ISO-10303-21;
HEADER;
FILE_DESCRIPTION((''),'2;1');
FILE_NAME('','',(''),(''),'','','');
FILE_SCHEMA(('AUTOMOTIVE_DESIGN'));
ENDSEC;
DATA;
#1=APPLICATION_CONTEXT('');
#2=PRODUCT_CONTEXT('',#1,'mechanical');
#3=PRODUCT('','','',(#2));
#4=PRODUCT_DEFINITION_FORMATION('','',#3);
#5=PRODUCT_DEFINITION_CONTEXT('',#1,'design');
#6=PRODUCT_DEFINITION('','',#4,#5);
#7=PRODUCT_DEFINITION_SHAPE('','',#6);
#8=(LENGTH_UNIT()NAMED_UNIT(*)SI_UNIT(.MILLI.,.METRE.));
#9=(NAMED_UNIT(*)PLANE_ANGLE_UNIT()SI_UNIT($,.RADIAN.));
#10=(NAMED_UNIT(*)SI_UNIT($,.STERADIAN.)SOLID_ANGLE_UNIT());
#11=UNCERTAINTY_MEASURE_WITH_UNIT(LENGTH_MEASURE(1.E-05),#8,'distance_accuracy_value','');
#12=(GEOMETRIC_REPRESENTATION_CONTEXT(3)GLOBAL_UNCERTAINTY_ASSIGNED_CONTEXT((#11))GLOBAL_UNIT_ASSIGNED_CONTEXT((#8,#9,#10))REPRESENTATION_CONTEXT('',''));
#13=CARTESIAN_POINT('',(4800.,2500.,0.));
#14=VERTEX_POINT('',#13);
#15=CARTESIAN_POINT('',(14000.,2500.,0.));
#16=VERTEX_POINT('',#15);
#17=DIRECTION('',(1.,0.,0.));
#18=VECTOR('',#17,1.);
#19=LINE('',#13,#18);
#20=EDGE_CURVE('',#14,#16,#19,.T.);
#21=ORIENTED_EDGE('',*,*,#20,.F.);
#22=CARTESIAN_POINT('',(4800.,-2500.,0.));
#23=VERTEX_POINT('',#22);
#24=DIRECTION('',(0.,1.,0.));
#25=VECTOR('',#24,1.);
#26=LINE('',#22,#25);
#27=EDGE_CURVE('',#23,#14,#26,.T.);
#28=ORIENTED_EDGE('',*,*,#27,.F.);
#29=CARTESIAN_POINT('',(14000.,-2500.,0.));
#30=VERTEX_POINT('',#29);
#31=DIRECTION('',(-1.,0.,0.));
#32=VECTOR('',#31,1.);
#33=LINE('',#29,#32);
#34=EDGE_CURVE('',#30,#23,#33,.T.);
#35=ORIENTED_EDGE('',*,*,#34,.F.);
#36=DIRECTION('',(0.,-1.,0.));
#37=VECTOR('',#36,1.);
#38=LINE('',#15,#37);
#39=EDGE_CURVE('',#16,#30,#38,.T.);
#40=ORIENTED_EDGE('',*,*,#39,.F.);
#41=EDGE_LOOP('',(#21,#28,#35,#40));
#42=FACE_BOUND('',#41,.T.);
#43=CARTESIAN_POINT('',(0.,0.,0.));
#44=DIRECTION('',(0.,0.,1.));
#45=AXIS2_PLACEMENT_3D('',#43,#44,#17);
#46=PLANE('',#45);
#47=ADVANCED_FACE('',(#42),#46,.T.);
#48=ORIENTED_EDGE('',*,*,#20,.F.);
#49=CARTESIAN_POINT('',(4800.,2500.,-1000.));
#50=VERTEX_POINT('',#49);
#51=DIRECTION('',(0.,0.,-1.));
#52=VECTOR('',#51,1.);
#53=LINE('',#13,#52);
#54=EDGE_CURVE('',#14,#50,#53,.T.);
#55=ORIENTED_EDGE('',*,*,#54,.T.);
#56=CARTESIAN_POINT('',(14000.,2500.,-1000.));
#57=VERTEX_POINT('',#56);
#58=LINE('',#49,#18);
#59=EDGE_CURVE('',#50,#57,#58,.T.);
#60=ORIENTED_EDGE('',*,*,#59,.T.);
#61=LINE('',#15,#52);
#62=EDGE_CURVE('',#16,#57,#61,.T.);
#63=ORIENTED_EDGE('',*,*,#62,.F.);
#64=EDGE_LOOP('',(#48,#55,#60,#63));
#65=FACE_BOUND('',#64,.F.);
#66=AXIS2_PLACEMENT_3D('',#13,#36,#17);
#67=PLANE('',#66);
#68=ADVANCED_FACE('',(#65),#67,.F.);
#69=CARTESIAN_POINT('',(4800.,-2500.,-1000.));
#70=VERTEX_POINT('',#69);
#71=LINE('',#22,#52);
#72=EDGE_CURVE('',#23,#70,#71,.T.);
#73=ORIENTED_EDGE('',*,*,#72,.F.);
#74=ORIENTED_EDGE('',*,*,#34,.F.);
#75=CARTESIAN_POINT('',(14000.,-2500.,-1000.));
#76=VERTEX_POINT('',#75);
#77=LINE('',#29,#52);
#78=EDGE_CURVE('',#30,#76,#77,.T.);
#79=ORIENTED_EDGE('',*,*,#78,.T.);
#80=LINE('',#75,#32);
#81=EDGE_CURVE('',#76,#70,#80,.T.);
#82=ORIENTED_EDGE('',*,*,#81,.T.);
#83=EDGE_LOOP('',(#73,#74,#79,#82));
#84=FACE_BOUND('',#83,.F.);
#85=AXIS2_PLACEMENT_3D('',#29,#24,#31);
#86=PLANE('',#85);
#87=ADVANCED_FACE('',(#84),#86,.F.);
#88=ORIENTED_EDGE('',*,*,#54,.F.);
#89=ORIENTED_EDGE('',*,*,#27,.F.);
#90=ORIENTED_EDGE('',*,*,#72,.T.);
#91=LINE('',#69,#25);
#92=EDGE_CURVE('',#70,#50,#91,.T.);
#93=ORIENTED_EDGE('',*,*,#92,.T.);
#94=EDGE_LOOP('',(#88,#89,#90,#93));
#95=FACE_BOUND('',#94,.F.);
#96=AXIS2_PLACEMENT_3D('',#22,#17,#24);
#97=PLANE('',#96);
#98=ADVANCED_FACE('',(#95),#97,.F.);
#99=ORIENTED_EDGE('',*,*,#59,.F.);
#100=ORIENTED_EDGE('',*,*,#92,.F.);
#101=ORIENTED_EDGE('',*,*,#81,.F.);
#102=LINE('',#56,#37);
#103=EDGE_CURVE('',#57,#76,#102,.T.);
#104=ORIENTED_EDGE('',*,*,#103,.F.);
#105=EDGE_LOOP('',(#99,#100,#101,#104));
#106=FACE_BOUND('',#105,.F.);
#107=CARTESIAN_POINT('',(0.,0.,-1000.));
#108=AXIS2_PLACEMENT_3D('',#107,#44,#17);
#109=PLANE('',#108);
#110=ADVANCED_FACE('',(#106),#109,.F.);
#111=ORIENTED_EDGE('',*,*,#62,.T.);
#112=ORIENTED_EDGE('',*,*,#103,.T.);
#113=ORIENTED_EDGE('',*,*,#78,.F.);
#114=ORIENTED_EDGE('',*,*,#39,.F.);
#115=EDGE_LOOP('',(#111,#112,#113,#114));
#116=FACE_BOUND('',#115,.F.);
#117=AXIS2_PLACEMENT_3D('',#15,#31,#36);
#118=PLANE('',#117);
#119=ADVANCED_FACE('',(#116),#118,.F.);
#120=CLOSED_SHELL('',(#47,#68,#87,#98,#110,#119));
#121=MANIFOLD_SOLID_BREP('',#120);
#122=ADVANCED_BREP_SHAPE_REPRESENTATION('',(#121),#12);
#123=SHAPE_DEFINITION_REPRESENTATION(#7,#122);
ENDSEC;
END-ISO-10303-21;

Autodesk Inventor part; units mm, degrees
ref_plane "YZ Plane" through (0, 0, 0) normal (1, 0, 0) x (0, 1, 0)
ref_plane "XZ Plane" through (0, 0, 0) normal (0, 1, 0) x (-1, 0, 0)
ref_plane "XY Plane" through (0, 0, 0) normal (0, 0, 1) x (1, 0, 0)
sketch "スケッチ1" plane through (0, 0, 0) normal (0, 0, 1) x (1, 0, 0)
  line L0 (4800, 2500) -> (14000, 2500)
  line L1 (14000, 2500) -> (14000, -2500)
  line L2 (14000, -2500) -> (4800, -2500)
  line L3 (4800, -2500) -> (4800, 2500)
  point P0 (0, 0)
  point P1 (4800, 0)
  dimension "d2" = 5000
  dimension "d5" = 4800
  dimension "d6" = 9200
extrude "押し出し1" add sketch "スケッチ1" against normal blind 1000
properties part number "Ground3"
